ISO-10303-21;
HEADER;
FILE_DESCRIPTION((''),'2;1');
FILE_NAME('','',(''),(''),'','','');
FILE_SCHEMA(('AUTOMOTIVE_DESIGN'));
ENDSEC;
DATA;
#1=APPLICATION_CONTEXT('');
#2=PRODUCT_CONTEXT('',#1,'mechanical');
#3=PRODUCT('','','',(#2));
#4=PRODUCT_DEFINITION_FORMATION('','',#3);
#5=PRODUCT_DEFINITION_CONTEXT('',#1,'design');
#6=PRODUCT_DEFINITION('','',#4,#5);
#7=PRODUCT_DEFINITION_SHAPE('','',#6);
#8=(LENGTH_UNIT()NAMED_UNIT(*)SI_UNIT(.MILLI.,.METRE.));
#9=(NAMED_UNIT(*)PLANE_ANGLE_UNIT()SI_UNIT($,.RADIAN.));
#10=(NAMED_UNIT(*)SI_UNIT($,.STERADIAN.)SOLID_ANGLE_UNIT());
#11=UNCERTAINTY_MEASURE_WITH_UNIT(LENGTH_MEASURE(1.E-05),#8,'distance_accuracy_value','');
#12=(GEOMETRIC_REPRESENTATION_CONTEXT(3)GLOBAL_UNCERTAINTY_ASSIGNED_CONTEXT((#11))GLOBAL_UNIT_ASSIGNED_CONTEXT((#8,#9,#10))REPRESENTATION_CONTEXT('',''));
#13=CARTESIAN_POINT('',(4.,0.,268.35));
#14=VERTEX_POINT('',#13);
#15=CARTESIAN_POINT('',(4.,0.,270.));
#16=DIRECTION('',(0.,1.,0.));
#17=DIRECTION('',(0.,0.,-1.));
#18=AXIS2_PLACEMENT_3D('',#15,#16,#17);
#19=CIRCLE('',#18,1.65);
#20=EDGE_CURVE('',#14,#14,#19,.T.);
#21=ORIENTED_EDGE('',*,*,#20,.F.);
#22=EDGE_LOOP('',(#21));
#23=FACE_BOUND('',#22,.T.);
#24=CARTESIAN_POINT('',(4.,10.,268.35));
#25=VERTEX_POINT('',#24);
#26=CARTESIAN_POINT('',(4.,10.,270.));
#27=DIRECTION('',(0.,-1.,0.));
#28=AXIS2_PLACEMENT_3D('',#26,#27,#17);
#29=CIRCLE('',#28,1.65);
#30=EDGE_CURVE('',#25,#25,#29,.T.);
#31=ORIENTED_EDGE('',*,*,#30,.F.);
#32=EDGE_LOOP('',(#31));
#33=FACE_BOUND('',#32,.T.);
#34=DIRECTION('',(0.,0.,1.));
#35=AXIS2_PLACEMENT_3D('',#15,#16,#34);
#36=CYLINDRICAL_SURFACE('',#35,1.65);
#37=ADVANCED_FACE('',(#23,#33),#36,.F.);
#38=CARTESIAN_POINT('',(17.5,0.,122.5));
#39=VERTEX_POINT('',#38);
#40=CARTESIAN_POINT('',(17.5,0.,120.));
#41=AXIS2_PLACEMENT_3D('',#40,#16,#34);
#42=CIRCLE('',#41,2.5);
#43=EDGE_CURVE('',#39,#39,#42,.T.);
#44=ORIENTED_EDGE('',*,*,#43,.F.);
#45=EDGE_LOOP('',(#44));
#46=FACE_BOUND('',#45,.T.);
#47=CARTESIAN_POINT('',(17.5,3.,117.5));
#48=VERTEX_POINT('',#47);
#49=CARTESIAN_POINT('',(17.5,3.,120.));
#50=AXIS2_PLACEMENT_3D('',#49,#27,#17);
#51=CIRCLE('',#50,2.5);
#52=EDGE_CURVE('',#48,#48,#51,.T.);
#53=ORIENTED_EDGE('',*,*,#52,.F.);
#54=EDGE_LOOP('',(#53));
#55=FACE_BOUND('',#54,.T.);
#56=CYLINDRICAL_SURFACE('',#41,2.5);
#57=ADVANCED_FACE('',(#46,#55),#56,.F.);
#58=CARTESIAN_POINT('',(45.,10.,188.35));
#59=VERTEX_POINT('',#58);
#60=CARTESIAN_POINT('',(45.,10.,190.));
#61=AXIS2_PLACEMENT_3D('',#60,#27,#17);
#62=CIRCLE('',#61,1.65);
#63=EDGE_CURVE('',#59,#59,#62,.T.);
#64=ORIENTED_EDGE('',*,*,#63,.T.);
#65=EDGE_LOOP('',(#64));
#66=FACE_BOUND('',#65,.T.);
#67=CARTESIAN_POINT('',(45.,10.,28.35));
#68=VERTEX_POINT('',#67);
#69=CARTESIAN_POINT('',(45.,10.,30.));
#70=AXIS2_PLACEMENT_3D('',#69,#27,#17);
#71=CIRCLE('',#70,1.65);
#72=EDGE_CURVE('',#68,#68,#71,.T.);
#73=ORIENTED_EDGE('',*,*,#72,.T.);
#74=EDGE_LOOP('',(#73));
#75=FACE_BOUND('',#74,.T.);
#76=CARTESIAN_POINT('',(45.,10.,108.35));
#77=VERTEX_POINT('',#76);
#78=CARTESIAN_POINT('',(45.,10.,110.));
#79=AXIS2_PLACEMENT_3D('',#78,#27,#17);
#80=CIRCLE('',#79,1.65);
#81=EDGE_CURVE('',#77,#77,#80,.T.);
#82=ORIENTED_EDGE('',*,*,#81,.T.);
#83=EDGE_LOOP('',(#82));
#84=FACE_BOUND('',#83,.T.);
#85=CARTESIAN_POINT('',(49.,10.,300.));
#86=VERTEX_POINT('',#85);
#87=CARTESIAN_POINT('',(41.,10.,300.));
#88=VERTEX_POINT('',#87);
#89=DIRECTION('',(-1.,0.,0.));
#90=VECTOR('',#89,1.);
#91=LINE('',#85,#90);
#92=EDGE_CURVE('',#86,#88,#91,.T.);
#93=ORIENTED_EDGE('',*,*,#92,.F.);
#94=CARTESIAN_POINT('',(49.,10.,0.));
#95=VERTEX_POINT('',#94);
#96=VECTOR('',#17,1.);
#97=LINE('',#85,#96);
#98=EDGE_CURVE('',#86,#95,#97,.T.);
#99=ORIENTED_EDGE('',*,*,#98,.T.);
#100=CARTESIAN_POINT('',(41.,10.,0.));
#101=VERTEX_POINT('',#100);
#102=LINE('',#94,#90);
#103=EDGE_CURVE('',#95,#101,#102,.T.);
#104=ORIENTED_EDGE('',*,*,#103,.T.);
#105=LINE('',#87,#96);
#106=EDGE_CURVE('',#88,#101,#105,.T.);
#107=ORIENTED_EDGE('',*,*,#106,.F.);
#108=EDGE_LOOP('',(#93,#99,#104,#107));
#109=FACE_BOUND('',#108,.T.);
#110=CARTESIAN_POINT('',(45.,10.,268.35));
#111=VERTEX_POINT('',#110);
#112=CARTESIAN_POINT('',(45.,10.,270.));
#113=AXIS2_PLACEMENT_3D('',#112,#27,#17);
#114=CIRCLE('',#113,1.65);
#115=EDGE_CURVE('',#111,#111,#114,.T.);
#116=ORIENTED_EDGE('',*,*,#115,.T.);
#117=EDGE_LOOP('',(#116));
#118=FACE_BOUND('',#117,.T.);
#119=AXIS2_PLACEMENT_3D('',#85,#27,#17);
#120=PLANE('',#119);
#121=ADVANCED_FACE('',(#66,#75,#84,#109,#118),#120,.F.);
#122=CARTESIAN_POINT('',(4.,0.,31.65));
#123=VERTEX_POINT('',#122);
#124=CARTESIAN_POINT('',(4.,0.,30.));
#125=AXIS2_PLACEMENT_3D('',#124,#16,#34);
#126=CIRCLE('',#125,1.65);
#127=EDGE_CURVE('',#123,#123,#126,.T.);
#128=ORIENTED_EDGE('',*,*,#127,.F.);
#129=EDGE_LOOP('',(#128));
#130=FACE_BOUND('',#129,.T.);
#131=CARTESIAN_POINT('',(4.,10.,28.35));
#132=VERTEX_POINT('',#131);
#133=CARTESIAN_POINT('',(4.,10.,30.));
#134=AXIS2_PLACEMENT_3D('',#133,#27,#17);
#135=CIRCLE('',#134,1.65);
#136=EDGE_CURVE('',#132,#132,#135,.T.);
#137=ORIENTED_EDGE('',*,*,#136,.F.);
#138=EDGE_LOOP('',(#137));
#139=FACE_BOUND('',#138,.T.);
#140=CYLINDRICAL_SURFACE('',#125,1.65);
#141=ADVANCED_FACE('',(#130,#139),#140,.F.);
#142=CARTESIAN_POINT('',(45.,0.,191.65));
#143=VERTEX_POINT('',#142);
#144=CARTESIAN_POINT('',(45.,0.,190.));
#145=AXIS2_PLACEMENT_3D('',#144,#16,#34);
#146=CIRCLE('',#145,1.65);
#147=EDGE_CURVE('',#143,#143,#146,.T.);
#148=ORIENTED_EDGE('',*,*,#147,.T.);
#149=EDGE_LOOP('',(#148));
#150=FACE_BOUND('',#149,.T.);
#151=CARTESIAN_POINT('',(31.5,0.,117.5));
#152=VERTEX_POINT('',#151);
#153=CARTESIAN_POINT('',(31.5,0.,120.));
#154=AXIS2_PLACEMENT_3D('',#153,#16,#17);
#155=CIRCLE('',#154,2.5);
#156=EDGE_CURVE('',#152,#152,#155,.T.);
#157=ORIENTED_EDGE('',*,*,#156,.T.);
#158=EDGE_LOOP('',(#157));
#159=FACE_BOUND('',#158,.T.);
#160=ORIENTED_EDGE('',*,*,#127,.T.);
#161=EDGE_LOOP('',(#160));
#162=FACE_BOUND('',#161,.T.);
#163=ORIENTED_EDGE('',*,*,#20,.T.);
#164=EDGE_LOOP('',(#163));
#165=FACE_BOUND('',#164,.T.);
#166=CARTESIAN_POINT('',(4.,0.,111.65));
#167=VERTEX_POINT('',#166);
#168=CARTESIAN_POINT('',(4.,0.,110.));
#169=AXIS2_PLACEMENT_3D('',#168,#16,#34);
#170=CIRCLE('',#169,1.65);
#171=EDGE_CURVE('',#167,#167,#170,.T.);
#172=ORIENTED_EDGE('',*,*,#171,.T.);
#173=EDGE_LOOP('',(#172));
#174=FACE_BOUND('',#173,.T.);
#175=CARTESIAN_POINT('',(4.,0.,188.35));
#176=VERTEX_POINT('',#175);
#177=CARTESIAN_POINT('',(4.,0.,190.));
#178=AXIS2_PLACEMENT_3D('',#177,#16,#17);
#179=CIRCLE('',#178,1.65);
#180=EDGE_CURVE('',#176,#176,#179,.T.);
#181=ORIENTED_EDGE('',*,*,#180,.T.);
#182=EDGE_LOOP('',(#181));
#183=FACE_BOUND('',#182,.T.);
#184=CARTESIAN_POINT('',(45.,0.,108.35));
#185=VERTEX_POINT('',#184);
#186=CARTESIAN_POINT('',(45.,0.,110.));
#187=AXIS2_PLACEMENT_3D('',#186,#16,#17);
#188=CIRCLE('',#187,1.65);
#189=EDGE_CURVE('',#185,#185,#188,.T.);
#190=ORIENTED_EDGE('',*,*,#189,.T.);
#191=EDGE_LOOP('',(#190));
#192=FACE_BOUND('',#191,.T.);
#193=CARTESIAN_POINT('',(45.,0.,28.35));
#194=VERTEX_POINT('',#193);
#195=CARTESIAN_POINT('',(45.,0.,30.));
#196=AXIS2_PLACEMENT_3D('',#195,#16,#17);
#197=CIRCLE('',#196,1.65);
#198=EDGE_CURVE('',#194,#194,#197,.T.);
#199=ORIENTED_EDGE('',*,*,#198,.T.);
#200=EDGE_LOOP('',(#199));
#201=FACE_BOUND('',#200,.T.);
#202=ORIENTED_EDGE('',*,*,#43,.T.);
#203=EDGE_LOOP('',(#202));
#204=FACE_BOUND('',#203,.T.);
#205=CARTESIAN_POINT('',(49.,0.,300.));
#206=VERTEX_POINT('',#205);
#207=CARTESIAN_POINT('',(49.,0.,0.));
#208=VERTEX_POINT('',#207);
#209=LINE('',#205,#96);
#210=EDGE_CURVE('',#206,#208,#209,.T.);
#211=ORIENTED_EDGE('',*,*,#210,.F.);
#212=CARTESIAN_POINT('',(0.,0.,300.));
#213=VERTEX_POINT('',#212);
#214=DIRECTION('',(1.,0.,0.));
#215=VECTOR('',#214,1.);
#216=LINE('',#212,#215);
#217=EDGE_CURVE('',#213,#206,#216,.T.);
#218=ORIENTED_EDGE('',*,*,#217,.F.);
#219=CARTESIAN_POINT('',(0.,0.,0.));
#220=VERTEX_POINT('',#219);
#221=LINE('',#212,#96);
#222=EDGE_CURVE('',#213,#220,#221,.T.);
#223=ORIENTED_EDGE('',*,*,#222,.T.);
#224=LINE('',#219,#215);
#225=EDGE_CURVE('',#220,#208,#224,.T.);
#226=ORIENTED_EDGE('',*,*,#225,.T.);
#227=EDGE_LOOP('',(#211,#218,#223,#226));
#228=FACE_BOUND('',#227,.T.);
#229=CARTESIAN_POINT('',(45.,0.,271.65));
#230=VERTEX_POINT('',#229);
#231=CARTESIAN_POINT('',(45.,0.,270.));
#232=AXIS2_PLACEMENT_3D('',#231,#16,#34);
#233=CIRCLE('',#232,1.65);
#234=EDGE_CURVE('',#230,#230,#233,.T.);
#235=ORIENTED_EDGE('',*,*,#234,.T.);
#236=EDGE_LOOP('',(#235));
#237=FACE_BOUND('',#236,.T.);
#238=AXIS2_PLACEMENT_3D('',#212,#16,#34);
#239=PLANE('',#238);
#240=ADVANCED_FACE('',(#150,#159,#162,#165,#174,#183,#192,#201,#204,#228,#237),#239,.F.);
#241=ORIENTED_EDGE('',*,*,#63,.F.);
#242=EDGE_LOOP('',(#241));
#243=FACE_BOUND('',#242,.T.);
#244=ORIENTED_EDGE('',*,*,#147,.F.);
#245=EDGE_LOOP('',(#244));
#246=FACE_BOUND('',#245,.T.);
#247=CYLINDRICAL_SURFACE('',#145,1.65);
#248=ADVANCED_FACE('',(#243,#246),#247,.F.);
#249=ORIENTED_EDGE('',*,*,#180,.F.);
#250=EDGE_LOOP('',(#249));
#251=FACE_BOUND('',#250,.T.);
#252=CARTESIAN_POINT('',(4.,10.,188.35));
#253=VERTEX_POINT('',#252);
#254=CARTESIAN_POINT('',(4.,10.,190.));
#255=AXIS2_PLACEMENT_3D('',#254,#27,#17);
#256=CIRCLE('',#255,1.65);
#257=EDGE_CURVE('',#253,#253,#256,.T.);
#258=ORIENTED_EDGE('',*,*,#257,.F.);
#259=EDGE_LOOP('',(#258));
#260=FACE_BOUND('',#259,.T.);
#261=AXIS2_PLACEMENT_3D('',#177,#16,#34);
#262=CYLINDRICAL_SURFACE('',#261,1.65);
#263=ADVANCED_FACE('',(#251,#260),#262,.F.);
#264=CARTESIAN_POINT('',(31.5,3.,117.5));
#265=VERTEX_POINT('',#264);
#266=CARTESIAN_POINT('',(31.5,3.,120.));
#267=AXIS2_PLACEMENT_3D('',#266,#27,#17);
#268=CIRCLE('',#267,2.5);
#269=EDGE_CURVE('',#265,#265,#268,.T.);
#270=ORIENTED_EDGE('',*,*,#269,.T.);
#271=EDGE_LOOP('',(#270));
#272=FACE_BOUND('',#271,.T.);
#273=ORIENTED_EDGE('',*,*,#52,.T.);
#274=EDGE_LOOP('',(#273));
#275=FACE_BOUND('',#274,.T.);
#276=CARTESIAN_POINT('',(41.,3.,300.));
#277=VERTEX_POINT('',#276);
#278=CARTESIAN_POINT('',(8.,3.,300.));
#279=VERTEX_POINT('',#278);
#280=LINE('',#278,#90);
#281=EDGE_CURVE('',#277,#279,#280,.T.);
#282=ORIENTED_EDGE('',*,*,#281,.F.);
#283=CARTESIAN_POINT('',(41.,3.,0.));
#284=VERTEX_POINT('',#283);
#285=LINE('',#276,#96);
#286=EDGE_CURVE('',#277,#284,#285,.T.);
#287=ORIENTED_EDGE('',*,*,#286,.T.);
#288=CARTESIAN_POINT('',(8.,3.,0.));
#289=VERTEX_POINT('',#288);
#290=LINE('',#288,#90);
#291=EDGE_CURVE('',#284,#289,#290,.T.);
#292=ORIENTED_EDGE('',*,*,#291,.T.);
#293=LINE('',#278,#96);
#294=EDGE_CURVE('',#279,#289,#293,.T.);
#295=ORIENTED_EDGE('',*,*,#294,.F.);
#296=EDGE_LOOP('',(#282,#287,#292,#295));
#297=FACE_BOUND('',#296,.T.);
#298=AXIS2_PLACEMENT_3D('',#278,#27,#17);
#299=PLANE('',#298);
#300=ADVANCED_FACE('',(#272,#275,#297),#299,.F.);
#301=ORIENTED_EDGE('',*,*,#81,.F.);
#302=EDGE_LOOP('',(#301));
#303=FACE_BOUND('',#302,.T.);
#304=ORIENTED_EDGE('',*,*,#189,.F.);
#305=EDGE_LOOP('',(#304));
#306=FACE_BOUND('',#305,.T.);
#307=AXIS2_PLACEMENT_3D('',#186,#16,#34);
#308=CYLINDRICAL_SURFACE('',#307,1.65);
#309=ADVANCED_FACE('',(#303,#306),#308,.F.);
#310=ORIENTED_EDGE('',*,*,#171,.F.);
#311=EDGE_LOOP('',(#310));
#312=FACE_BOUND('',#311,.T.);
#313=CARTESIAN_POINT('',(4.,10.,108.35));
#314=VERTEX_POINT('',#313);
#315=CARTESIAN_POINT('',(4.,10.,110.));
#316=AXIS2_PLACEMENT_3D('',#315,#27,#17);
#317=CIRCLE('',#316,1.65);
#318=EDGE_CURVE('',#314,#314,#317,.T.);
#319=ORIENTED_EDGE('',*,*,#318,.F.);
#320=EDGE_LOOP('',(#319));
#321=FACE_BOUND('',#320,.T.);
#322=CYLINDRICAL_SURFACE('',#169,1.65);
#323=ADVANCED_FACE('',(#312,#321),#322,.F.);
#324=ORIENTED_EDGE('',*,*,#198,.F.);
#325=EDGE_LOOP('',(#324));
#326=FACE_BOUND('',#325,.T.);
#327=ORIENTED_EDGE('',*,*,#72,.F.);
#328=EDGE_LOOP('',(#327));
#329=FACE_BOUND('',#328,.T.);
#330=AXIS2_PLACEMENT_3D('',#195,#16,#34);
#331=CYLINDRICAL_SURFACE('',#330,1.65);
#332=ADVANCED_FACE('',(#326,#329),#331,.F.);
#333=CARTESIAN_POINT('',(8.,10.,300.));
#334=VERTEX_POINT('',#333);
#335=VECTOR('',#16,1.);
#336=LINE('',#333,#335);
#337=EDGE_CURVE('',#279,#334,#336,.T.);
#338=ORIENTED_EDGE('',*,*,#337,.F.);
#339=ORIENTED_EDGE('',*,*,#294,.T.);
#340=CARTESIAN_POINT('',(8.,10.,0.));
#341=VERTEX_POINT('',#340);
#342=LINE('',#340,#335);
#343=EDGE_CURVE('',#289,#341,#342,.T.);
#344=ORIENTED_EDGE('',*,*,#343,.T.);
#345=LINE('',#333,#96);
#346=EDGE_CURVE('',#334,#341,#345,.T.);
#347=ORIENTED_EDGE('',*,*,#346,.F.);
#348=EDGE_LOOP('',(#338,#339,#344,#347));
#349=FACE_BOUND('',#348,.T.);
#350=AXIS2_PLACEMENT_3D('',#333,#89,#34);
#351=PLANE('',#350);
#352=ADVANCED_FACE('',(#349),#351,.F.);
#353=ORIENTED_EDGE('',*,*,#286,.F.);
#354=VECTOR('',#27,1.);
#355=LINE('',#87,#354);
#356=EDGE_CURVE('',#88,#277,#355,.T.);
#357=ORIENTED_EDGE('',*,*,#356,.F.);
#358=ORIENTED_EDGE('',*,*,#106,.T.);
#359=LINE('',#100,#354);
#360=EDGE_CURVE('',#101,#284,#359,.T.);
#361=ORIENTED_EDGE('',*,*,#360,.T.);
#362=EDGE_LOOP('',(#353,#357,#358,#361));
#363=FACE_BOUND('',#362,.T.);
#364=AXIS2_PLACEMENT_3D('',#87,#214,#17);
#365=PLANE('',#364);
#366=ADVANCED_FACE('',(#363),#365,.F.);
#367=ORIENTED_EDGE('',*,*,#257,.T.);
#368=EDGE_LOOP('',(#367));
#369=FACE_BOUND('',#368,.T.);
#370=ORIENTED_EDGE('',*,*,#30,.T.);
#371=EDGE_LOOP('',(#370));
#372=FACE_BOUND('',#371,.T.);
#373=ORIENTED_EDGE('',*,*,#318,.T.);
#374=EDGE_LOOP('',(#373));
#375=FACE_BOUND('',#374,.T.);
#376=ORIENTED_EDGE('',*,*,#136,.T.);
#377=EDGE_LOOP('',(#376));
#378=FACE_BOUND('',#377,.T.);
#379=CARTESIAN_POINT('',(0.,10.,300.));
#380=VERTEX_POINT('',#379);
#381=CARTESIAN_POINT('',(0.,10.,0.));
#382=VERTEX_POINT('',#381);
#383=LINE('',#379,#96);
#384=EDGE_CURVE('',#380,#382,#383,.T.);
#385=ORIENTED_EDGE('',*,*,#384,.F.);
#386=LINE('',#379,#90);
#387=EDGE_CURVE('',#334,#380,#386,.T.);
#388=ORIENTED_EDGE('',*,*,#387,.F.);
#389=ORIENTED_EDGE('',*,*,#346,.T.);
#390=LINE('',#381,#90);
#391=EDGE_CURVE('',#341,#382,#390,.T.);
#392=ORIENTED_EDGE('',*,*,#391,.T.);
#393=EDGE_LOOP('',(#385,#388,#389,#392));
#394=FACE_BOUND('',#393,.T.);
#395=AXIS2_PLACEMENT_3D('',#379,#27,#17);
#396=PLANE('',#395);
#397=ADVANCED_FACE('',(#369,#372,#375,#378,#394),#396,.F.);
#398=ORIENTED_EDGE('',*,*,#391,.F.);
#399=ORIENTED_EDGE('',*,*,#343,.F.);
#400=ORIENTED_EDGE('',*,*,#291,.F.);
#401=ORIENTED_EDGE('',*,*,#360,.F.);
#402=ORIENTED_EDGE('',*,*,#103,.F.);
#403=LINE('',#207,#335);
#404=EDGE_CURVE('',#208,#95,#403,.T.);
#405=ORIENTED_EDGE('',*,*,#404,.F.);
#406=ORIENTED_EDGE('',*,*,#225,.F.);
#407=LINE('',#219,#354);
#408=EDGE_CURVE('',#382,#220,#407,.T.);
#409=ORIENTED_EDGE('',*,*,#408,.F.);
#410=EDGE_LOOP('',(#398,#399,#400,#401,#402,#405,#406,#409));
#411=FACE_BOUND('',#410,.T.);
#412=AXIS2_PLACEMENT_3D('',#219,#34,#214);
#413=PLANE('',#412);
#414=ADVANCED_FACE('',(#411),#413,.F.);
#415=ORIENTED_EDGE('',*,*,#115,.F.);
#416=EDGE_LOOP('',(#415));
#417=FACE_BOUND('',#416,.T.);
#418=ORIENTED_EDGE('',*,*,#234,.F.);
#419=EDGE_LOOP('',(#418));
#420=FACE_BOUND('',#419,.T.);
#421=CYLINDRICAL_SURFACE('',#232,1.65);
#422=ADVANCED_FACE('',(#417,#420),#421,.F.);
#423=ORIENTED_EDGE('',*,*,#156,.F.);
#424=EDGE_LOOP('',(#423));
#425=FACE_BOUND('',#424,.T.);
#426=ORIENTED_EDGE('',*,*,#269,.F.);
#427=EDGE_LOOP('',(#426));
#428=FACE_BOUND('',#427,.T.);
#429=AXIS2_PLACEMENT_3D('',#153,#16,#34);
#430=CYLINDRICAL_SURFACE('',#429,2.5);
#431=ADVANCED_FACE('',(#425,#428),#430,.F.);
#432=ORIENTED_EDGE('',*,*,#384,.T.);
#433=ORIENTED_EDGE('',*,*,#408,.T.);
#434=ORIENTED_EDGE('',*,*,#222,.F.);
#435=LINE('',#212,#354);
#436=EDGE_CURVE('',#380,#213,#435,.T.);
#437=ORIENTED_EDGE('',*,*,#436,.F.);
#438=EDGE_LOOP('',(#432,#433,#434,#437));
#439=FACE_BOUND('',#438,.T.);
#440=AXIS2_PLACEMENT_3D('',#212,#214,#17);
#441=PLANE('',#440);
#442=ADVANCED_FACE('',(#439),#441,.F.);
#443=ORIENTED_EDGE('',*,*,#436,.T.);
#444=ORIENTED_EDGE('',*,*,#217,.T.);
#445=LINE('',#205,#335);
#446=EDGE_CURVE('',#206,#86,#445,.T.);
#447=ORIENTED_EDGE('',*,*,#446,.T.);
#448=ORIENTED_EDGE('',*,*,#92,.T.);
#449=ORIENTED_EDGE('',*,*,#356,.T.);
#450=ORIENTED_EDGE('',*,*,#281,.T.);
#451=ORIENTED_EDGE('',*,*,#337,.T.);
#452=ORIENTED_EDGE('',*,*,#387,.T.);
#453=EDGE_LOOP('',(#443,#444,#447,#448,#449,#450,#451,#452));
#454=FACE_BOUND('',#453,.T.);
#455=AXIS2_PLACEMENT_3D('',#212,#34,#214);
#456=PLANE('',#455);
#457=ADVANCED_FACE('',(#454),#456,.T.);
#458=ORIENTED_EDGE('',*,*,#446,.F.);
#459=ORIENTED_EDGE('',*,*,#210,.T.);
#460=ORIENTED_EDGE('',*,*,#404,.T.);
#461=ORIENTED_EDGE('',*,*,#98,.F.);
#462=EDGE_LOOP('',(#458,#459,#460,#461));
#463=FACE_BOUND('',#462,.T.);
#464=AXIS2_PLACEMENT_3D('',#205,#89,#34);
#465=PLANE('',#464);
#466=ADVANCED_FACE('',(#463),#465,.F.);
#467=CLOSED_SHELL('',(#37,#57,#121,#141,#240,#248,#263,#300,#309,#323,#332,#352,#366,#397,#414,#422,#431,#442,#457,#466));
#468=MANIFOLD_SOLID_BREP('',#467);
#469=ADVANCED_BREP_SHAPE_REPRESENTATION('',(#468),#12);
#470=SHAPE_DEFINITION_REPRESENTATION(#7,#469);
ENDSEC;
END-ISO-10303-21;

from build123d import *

# Parameters (mm, degrees)
BOSS_EXTRU_1_DEPTH           = 300
ENL_V_MAT_EXTRU_1_DEPTH      = 305.05591591
ENL_V_MAT_EXTRU_1_DEPTH_BACK = 305.05591591
ESQUISSE2_R                  = 2.5
ENL_V_MAT_EXTRU_2_DEPTH      = 305.1397705
ENL_V_MAT_EXTRU_2_DEPTH_BACK = 305.1397705
ESQUISSE3_R                  = 1.65


with BuildPart() as part:
    # Esquisse1 → Boss.-Extru.1 (new body)
    with BuildSketch(Plane.XY):
        Polygon((0, 0), (0, 10), (8, 10), (8, 3), (41, 3), (41, 10), (49, 10), (49, 0), align=None)
    extrude(amount=BOSS_EXTRU_1_DEPTH)

    # Esquisse2 → Enlèv. mat.-Extru.1 (cut, two sides: drawn at the far end of the back side and taken through both)
    with BuildSketch(Plane(origin=(0, 3, 0), x_dir=(1, 0, 0), z_dir=(0, 1, 0)).offset(-ENL_V_MAT_EXTRU_1_DEPTH_BACK)):
        with Locations(Location((17.5, -120, 0), (0, 0, 270))):
            Circle(ESQUISSE2_R)
        with Locations(Location((31.5, -120, 0), (0, 0, 90))):
            Circle(ESQUISSE2_R)
    extrude(amount=ENL_V_MAT_EXTRU_1_DEPTH + ENL_V_MAT_EXTRU_1_DEPTH_BACK, mode=Mode.SUBTRACT)

    # Esquisse3 → Enlèv. mat.-Extru.2 (cut, two sides: drawn at the far end of the back side and taken through both)
    with BuildSketch(Plane(origin=(0, 10, 0), x_dir=(1, 0, 0), z_dir=(0, 1, 0)).offset(-ENL_V_MAT_EXTRU_2_DEPTH_BACK)):
        with Locations(Location((45, -270, 0), (0, 0, 270))):
            Circle(ESQUISSE3_R)
        with Locations(Location((45, -190, 0), (0, 0, 270))):
            Circle(ESQUISSE3_R)
        with Locations(Location((45, -110, 0), (0, 0, 90))):
            Circle(ESQUISSE3_R)
        with Locations(Location((45, -30, 0), (0, 0, 90))):
            Circle(ESQUISSE3_R)
        with Locations(Location((4, -30, 0), (0, 0, 270))):
            Circle(ESQUISSE3_R)
        with Locations(Location((4, -110, 0), (0, 0, 270))):
            Circle(ESQUISSE3_R)
        with Locations(Location((4, -190, 0), (0, 0, 90))):
            Circle(ESQUISSE3_R)
        with Locations(Location((4, -270, 0), (0, 0, 90))):
            Circle(ESQUISSE3_R)
    extrude(amount=ENL_V_MAT_EXTRU_2_DEPTH + ENL_V_MAT_EXTRU_2_DEPTH_BACK, mode=Mode.SUBTRACT)


solid = part.part
